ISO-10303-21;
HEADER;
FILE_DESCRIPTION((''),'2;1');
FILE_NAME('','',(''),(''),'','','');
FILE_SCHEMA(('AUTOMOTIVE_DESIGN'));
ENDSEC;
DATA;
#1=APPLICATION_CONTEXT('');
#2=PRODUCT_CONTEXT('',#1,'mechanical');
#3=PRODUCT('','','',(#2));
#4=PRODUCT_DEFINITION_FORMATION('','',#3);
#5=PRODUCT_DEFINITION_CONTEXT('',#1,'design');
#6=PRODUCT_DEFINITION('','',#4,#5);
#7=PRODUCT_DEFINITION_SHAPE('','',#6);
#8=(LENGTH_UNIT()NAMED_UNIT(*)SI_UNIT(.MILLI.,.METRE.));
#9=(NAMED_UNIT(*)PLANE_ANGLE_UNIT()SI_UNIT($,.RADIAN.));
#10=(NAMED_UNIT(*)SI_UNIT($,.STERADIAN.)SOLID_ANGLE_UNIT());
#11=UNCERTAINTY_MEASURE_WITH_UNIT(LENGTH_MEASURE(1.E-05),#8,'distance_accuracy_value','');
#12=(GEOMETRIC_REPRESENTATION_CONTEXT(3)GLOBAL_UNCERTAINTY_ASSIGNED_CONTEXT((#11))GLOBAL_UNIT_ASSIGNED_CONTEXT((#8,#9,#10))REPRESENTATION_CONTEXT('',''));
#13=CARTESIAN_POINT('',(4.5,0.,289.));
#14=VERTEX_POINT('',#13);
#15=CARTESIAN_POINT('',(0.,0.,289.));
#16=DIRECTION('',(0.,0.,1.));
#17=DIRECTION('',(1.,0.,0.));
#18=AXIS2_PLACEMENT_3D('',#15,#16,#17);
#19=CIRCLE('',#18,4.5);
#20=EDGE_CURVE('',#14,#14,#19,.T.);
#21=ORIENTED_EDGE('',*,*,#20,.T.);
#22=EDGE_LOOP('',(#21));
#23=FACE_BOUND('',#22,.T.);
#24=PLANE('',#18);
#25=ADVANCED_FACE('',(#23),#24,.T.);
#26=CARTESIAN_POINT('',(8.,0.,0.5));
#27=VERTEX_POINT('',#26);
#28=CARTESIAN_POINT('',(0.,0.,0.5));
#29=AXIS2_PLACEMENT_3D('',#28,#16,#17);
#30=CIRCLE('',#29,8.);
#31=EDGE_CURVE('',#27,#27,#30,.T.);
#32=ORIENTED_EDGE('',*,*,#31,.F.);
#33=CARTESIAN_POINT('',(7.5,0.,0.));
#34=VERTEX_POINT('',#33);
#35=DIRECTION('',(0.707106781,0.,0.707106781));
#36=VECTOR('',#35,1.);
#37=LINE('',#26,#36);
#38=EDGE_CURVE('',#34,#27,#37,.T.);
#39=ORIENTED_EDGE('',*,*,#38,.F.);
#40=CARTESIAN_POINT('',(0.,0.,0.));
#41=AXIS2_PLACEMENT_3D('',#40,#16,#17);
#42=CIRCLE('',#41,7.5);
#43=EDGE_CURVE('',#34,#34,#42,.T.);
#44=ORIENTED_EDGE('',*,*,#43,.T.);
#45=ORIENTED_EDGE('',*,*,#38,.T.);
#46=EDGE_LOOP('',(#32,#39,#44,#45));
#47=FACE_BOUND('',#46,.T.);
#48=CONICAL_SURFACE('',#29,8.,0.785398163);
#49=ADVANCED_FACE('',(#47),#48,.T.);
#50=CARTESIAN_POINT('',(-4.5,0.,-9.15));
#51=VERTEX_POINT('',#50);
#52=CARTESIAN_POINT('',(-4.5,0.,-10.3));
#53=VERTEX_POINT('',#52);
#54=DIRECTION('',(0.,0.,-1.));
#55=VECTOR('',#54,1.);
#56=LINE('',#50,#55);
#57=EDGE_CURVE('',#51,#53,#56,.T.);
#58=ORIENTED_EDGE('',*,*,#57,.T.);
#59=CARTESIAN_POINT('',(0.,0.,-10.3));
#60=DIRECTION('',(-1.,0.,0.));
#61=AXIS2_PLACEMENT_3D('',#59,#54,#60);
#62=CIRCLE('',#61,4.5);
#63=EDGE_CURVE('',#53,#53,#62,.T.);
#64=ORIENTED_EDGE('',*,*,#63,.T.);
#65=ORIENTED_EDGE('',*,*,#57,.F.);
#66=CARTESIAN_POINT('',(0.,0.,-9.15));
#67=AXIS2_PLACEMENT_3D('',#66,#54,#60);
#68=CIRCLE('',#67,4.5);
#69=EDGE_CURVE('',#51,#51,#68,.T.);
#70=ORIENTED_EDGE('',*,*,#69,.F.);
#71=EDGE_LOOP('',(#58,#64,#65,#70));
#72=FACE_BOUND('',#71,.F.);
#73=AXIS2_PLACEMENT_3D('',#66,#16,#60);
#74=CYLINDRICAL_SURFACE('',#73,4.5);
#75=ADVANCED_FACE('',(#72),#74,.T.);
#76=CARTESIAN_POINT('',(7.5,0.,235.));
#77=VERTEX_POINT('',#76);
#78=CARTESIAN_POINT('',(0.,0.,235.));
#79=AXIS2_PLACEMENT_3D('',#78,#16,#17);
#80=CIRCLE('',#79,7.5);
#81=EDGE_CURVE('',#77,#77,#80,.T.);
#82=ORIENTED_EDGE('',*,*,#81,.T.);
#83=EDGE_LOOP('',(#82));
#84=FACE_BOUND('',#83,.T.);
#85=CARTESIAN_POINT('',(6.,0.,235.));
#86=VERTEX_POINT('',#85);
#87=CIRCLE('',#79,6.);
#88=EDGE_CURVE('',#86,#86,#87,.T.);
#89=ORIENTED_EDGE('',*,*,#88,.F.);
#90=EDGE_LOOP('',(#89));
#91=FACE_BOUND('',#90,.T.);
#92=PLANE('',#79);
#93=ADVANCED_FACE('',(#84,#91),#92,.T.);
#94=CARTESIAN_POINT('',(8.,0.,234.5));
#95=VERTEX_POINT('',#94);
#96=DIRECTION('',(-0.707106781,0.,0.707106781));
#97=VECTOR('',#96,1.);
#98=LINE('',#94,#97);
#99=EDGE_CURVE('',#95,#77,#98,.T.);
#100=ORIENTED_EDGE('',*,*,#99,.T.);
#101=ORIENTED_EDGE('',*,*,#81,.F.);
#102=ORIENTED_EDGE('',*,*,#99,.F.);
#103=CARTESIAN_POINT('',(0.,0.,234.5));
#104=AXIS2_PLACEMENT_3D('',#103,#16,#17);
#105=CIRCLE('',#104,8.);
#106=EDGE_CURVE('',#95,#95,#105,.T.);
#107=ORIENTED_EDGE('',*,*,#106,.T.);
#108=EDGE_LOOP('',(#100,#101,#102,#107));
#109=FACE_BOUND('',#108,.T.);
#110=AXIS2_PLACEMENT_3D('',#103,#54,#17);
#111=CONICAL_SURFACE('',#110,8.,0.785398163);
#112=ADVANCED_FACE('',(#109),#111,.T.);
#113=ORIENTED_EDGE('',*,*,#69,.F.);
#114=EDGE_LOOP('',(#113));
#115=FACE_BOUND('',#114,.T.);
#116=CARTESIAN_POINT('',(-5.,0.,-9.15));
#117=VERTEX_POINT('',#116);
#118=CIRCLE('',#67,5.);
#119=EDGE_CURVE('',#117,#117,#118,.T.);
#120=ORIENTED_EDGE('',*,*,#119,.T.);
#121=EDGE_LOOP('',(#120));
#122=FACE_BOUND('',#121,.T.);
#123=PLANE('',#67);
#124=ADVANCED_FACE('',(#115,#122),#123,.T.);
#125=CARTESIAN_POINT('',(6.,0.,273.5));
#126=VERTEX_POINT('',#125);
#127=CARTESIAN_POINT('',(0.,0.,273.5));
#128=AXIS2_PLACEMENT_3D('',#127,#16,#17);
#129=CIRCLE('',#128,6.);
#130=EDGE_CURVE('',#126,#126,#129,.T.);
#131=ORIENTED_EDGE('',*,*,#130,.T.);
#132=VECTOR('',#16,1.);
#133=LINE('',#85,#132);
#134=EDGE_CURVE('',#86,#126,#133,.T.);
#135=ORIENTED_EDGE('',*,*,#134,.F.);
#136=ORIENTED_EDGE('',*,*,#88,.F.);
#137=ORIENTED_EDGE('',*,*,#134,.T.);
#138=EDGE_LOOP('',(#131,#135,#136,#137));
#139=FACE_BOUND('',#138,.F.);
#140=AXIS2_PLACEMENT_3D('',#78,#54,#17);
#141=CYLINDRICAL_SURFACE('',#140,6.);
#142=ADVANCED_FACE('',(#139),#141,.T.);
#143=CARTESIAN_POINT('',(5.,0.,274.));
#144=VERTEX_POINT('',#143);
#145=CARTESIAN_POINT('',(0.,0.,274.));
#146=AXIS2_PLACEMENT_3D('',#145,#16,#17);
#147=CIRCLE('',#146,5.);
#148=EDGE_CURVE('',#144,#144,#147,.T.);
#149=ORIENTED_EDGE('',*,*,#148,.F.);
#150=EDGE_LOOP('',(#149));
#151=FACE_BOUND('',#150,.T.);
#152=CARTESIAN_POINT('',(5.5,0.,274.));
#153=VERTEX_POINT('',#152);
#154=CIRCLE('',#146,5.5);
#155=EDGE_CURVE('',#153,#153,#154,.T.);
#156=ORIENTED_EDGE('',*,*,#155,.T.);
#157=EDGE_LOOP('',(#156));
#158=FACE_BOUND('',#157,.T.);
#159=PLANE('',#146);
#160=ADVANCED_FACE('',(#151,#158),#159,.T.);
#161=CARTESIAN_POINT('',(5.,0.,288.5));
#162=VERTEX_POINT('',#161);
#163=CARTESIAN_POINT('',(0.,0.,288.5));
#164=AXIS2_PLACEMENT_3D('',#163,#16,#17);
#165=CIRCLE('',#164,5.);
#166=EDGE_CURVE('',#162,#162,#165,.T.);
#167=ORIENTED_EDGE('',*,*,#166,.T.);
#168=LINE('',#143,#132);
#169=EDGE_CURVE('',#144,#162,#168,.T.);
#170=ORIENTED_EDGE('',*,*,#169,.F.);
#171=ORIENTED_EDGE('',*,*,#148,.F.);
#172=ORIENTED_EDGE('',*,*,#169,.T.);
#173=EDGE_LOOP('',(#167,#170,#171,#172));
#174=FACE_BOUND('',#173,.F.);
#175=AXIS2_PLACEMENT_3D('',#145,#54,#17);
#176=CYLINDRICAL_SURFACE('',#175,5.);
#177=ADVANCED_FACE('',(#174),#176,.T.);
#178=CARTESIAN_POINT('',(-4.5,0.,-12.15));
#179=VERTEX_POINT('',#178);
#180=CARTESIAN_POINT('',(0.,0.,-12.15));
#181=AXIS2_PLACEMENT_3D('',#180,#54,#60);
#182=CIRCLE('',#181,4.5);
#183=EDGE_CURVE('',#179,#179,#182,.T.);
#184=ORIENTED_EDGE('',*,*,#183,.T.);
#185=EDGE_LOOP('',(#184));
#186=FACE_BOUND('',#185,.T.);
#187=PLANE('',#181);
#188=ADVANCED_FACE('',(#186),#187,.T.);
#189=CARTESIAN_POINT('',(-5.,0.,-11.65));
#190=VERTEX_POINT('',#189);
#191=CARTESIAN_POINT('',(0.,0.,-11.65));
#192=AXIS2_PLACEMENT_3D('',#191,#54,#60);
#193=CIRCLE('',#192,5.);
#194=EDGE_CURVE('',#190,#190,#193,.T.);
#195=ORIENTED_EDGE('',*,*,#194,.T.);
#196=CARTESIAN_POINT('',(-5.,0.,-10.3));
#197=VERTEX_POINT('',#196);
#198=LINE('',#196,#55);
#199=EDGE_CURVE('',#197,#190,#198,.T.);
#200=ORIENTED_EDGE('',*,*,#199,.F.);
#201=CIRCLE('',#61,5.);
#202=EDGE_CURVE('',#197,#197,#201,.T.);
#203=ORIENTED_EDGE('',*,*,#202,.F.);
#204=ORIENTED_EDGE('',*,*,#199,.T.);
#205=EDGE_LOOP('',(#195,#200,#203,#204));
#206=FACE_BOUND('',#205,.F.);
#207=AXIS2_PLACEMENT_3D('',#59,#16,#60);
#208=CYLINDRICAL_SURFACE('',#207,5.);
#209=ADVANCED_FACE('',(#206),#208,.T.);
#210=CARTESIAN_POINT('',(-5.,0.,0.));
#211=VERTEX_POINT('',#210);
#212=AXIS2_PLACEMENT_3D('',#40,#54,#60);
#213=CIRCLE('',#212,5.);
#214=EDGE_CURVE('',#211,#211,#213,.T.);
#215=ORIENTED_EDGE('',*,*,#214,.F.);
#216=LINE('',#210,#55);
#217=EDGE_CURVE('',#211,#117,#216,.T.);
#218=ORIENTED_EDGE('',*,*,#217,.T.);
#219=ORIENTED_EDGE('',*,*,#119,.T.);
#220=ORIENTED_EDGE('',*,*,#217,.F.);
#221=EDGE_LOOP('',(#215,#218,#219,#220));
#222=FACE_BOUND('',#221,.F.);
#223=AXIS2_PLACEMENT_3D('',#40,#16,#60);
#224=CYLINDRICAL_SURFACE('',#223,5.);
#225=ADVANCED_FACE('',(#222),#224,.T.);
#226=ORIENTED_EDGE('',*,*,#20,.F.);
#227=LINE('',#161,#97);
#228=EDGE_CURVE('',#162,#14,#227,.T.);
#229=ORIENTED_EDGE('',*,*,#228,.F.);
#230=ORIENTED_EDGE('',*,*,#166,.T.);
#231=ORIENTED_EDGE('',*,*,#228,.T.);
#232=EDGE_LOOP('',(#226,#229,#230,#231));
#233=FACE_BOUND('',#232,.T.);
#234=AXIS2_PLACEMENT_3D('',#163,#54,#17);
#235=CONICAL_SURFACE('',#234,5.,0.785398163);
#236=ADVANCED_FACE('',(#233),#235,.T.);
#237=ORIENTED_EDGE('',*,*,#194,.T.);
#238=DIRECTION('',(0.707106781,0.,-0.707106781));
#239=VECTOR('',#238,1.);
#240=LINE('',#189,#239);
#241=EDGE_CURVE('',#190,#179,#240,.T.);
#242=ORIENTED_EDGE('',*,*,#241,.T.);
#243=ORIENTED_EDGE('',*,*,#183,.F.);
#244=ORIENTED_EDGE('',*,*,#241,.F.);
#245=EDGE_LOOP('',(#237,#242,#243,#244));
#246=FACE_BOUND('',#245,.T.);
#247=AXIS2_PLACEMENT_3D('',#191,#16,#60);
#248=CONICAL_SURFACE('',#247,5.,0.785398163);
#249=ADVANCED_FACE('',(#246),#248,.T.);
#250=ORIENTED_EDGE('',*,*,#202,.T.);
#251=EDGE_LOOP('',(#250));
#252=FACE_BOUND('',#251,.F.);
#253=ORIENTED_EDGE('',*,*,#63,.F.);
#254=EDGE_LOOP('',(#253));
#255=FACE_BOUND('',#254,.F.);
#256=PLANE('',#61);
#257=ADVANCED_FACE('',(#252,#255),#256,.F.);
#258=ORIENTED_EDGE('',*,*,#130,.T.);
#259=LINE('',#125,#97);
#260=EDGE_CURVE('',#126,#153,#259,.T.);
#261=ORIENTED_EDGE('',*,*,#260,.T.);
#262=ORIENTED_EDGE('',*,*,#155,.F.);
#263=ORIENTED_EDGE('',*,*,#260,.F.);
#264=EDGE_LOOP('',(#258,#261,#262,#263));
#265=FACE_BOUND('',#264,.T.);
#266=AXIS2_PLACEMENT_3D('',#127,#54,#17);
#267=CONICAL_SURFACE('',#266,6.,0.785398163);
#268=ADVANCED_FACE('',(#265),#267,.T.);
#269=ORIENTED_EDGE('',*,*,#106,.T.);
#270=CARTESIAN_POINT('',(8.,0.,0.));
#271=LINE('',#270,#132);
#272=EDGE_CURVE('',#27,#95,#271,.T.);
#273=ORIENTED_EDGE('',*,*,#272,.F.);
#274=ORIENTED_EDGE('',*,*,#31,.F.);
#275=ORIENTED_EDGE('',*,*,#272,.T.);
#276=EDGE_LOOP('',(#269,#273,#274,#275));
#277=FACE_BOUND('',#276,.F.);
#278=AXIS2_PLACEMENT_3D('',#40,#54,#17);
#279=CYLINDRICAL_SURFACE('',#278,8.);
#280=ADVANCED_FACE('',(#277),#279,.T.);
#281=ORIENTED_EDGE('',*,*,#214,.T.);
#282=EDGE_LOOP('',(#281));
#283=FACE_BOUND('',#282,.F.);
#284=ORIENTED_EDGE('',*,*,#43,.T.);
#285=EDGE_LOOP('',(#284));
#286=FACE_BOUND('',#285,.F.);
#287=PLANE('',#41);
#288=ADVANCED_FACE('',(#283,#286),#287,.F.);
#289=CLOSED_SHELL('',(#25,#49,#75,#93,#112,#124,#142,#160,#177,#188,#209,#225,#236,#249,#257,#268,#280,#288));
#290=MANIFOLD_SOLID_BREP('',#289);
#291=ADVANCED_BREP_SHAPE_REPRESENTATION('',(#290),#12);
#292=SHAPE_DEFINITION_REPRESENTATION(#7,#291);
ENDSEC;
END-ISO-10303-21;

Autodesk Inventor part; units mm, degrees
ref_plane "YZ Plane" through (0, 0, 0) normal (1, 0, 0) x (0, 1, 0)
ref_plane "XZ Plane" through (0, 0, 0) normal (0, 1, 0) x (-1, 0, 0)
ref_plane "XY Plane" through (0, 0, 0) normal (0, 0, 1) x (1, 0, 0)
sketch "Esboço1" plane through (0, 0, 0) normal (0, 0, 1) x (1, 0, 0)
  circle A0 centre (0, 0) radius 8
  dimension "d0" = 16
extrude "Extrusão1" add sketch "Esboço1" along normal blind 235
sketch "Esboço2" plane through (0, 0, 235) normal (0, 0, 1) x (1, 0, 0)
  circle A0 centre (0, 0) radius 6
  dimension "d3" = 12
extrude "Extrusão2" add sketch "Esboço2" along normal blind 39
sketch "Esboço3" plane through (0, 0, 274) normal (0, 0, 1) x (1, 0, 0)
  circle A0 centre (0, 0) radius 5
  dimension "d6" = 10
extrude "Extrusão3" add sketch "Esboço3" along normal blind 15
sketch "Esboço4" plane through (0, 0, 0) normal (0, 0, -1) x (-1, 0, 0)
  circle A0 centre (0, 0) radius 5
  dimension "d9" = 10
extrude "Extrusão4" add sketch "Esboço4" along normal blind 9.15
sketch "Esboço5" plane through (0, 0, -9.15) normal (0, 0, -1) x (-1, 0, 0)
  circle A0 centre (0, 0) radius 4.5
  dimension "d12" = 9
extrude "Extrusão5" add sketch "Esboço5" along normal blind 1.15
sketch "Esboço6" plane through (0, 0, -10.3) normal (0, 0, -1) x (-1, 0, 0)
  circle A0 centre (0, 0) radius 5
  dimension "d15" = 10
extrude "Extrusão6" add sketch "Esboço6" along normal blind 1.85
thread "Rosca1" size "M12x1.75" class "6g" standard "ANSI Metric M Profile" length 14
chamfer "Chanfro1" distance 0.5 angle 45 5 edges at (-5, 0, 289) (-6, 0, 274) (-8, 0, 235) (-8, 0, 0) (5, 0, -12.15)
properties part number "SFU16XX_Z"
